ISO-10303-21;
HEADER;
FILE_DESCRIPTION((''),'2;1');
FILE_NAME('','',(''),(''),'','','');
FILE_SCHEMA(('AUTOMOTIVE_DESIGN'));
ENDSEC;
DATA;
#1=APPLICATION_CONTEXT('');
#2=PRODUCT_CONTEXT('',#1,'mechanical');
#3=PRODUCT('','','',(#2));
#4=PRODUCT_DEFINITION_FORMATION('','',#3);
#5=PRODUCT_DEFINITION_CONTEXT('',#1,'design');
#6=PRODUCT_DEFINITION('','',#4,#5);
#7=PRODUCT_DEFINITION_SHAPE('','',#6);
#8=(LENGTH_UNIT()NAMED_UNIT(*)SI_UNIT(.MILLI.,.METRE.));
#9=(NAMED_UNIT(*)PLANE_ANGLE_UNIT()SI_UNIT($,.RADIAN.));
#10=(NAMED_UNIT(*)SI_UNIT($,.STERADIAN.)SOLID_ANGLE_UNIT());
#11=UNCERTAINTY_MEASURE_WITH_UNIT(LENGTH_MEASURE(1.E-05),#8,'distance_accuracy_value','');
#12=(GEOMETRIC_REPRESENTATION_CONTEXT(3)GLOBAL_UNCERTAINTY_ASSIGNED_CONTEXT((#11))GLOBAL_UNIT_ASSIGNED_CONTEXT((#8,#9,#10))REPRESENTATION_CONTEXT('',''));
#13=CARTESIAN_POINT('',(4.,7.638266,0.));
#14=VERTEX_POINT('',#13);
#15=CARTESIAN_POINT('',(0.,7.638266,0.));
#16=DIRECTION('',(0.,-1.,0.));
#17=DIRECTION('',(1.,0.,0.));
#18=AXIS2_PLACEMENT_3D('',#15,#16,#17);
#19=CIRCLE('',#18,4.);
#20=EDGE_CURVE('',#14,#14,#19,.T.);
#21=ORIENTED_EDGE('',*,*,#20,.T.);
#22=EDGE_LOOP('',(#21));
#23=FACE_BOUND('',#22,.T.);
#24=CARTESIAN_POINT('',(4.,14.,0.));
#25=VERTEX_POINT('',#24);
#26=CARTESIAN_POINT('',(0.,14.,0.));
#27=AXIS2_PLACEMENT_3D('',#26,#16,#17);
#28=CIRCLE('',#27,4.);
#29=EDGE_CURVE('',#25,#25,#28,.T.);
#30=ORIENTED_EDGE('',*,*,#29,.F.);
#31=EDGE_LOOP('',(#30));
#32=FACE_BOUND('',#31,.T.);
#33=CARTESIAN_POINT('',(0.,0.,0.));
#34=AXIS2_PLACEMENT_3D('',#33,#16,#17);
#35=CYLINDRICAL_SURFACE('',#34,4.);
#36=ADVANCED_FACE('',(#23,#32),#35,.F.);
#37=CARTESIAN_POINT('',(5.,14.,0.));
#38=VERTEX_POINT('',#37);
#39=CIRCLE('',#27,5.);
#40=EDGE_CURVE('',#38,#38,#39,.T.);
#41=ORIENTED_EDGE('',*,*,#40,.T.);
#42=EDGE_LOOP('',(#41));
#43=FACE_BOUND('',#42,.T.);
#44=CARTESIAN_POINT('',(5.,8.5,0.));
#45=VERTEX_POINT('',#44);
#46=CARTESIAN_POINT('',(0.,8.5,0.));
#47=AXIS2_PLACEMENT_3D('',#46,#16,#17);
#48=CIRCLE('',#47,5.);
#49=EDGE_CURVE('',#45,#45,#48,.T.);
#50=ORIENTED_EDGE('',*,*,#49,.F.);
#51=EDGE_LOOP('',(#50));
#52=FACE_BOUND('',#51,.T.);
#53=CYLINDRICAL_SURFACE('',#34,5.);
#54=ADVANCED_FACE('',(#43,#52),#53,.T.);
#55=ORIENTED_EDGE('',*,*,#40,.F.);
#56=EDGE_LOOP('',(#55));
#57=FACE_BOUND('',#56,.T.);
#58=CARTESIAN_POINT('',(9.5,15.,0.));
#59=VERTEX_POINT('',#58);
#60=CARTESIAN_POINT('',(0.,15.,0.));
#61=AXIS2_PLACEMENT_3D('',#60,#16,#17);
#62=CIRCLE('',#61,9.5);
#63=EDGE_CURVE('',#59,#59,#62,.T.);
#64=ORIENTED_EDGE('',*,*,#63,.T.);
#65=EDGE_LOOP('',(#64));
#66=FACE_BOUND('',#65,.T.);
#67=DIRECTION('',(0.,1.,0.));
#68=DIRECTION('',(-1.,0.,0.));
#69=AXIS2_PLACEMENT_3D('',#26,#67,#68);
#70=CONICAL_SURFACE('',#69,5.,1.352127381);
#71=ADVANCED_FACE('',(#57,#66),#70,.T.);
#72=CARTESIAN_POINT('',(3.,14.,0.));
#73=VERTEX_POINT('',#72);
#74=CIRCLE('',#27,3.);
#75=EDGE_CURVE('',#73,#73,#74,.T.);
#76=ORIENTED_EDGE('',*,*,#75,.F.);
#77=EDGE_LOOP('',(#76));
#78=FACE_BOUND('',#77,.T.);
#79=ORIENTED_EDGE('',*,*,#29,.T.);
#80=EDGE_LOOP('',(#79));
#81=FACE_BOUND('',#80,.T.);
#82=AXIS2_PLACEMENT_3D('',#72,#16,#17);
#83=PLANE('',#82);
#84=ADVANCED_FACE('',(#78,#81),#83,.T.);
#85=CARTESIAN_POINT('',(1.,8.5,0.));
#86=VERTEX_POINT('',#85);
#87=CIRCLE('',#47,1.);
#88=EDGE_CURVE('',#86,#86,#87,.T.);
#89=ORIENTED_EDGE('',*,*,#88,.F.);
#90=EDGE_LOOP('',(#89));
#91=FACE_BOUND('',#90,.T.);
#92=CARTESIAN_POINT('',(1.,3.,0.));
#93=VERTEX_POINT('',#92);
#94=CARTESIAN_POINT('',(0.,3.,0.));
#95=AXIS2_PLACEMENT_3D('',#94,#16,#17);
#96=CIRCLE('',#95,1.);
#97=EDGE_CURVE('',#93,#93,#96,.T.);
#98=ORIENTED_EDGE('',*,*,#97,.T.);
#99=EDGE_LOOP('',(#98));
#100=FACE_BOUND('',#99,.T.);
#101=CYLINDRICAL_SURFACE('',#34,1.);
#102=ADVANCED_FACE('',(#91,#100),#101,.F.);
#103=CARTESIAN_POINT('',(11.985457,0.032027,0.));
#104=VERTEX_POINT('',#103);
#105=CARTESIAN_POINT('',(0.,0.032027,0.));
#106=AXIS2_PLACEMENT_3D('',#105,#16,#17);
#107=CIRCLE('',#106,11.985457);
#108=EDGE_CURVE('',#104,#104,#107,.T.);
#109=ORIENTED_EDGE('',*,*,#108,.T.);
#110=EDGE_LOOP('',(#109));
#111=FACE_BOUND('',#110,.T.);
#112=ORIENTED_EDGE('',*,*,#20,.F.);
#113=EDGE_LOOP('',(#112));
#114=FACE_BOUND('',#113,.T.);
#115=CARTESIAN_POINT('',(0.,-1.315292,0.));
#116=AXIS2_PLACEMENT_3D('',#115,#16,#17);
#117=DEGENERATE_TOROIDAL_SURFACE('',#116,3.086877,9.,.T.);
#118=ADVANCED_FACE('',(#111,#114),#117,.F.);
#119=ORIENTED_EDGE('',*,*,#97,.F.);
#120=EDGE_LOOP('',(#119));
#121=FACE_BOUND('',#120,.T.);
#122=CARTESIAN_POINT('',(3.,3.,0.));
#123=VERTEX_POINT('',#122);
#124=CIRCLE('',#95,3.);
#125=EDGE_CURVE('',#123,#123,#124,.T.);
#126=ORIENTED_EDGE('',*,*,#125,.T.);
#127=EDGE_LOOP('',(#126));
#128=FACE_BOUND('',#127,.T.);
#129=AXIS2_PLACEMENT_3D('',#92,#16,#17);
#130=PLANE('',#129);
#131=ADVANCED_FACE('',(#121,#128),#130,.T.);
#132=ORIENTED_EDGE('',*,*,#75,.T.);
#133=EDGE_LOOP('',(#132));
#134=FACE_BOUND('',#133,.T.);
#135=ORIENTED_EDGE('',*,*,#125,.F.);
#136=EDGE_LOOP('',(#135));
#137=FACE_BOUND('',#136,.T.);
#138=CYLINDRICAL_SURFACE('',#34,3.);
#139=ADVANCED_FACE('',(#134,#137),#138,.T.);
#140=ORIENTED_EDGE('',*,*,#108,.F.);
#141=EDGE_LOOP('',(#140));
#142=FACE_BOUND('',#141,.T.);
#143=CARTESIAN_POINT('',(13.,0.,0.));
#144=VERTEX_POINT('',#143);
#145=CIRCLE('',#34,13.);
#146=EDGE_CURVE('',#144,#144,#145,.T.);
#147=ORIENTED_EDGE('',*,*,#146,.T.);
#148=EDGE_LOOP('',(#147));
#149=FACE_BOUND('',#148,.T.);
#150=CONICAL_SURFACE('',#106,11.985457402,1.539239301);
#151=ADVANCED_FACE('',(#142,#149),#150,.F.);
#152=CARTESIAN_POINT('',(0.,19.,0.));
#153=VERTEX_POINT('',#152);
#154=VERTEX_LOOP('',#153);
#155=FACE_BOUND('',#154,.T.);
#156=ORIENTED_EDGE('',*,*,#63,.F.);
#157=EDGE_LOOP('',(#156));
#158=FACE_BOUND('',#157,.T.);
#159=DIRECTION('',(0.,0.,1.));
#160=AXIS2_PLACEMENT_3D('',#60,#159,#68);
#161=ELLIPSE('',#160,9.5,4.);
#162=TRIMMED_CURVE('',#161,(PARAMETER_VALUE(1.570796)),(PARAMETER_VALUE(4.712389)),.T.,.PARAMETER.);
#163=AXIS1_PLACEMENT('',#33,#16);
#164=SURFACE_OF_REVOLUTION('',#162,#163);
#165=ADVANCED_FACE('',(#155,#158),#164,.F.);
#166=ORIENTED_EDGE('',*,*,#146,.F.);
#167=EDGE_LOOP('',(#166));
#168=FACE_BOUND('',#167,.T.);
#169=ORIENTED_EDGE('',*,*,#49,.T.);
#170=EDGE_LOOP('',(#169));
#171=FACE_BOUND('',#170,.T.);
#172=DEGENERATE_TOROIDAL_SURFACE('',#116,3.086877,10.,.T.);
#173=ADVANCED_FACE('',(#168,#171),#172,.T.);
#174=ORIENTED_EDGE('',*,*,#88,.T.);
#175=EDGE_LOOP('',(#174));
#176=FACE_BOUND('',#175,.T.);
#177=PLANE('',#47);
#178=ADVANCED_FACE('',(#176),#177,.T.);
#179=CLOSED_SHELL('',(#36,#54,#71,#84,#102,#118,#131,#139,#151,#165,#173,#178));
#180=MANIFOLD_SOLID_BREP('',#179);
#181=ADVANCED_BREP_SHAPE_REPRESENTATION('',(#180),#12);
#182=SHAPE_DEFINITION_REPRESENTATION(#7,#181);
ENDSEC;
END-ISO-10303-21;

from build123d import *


with BuildPart() as part:
    # Esquisse1 → Révolution1 (revolve)
    with BuildSketch(Plane.XY):
        with BuildLine():
            Line((9.5, 15), (5, 14))
            Line((5, 14), (5, 8.5))
            ThreePointArc((5, 8.5), (10.368876984, 5.538354809), (13, 0))
            Line((13, 0), (11.985457402, 0.032026579))
            ThreePointArc((11.985457402, 0.032026579), (9.294219515, 5.201524496), (4, 7.638266133))
            Line((4, 7.638266133), (4, 14))
            Line((4, 14), (3, 14))
            Line((3, 14), (3, 3))
            Line((3, 3), (1, 3))
            Line((1, 3), (1, 8.5))
            Line((1, 8.5), (0, 8.5))
            Line((0, 8.5), (0, 19))
            add(Edge.make_bspline(
                [(9.5, 15), (9.5, 19), (0, 19)],
                knots=[3.141592654, 3.141592654, 3.141592654, 4.71238898, 4.71238898, 4.71238898], degree=2, weights=[1, 0.707106781, 1]))
        make_face()
    revolve(axis=Axis((0, 0, 0), (0, 1, 0)))


solid = part.part
